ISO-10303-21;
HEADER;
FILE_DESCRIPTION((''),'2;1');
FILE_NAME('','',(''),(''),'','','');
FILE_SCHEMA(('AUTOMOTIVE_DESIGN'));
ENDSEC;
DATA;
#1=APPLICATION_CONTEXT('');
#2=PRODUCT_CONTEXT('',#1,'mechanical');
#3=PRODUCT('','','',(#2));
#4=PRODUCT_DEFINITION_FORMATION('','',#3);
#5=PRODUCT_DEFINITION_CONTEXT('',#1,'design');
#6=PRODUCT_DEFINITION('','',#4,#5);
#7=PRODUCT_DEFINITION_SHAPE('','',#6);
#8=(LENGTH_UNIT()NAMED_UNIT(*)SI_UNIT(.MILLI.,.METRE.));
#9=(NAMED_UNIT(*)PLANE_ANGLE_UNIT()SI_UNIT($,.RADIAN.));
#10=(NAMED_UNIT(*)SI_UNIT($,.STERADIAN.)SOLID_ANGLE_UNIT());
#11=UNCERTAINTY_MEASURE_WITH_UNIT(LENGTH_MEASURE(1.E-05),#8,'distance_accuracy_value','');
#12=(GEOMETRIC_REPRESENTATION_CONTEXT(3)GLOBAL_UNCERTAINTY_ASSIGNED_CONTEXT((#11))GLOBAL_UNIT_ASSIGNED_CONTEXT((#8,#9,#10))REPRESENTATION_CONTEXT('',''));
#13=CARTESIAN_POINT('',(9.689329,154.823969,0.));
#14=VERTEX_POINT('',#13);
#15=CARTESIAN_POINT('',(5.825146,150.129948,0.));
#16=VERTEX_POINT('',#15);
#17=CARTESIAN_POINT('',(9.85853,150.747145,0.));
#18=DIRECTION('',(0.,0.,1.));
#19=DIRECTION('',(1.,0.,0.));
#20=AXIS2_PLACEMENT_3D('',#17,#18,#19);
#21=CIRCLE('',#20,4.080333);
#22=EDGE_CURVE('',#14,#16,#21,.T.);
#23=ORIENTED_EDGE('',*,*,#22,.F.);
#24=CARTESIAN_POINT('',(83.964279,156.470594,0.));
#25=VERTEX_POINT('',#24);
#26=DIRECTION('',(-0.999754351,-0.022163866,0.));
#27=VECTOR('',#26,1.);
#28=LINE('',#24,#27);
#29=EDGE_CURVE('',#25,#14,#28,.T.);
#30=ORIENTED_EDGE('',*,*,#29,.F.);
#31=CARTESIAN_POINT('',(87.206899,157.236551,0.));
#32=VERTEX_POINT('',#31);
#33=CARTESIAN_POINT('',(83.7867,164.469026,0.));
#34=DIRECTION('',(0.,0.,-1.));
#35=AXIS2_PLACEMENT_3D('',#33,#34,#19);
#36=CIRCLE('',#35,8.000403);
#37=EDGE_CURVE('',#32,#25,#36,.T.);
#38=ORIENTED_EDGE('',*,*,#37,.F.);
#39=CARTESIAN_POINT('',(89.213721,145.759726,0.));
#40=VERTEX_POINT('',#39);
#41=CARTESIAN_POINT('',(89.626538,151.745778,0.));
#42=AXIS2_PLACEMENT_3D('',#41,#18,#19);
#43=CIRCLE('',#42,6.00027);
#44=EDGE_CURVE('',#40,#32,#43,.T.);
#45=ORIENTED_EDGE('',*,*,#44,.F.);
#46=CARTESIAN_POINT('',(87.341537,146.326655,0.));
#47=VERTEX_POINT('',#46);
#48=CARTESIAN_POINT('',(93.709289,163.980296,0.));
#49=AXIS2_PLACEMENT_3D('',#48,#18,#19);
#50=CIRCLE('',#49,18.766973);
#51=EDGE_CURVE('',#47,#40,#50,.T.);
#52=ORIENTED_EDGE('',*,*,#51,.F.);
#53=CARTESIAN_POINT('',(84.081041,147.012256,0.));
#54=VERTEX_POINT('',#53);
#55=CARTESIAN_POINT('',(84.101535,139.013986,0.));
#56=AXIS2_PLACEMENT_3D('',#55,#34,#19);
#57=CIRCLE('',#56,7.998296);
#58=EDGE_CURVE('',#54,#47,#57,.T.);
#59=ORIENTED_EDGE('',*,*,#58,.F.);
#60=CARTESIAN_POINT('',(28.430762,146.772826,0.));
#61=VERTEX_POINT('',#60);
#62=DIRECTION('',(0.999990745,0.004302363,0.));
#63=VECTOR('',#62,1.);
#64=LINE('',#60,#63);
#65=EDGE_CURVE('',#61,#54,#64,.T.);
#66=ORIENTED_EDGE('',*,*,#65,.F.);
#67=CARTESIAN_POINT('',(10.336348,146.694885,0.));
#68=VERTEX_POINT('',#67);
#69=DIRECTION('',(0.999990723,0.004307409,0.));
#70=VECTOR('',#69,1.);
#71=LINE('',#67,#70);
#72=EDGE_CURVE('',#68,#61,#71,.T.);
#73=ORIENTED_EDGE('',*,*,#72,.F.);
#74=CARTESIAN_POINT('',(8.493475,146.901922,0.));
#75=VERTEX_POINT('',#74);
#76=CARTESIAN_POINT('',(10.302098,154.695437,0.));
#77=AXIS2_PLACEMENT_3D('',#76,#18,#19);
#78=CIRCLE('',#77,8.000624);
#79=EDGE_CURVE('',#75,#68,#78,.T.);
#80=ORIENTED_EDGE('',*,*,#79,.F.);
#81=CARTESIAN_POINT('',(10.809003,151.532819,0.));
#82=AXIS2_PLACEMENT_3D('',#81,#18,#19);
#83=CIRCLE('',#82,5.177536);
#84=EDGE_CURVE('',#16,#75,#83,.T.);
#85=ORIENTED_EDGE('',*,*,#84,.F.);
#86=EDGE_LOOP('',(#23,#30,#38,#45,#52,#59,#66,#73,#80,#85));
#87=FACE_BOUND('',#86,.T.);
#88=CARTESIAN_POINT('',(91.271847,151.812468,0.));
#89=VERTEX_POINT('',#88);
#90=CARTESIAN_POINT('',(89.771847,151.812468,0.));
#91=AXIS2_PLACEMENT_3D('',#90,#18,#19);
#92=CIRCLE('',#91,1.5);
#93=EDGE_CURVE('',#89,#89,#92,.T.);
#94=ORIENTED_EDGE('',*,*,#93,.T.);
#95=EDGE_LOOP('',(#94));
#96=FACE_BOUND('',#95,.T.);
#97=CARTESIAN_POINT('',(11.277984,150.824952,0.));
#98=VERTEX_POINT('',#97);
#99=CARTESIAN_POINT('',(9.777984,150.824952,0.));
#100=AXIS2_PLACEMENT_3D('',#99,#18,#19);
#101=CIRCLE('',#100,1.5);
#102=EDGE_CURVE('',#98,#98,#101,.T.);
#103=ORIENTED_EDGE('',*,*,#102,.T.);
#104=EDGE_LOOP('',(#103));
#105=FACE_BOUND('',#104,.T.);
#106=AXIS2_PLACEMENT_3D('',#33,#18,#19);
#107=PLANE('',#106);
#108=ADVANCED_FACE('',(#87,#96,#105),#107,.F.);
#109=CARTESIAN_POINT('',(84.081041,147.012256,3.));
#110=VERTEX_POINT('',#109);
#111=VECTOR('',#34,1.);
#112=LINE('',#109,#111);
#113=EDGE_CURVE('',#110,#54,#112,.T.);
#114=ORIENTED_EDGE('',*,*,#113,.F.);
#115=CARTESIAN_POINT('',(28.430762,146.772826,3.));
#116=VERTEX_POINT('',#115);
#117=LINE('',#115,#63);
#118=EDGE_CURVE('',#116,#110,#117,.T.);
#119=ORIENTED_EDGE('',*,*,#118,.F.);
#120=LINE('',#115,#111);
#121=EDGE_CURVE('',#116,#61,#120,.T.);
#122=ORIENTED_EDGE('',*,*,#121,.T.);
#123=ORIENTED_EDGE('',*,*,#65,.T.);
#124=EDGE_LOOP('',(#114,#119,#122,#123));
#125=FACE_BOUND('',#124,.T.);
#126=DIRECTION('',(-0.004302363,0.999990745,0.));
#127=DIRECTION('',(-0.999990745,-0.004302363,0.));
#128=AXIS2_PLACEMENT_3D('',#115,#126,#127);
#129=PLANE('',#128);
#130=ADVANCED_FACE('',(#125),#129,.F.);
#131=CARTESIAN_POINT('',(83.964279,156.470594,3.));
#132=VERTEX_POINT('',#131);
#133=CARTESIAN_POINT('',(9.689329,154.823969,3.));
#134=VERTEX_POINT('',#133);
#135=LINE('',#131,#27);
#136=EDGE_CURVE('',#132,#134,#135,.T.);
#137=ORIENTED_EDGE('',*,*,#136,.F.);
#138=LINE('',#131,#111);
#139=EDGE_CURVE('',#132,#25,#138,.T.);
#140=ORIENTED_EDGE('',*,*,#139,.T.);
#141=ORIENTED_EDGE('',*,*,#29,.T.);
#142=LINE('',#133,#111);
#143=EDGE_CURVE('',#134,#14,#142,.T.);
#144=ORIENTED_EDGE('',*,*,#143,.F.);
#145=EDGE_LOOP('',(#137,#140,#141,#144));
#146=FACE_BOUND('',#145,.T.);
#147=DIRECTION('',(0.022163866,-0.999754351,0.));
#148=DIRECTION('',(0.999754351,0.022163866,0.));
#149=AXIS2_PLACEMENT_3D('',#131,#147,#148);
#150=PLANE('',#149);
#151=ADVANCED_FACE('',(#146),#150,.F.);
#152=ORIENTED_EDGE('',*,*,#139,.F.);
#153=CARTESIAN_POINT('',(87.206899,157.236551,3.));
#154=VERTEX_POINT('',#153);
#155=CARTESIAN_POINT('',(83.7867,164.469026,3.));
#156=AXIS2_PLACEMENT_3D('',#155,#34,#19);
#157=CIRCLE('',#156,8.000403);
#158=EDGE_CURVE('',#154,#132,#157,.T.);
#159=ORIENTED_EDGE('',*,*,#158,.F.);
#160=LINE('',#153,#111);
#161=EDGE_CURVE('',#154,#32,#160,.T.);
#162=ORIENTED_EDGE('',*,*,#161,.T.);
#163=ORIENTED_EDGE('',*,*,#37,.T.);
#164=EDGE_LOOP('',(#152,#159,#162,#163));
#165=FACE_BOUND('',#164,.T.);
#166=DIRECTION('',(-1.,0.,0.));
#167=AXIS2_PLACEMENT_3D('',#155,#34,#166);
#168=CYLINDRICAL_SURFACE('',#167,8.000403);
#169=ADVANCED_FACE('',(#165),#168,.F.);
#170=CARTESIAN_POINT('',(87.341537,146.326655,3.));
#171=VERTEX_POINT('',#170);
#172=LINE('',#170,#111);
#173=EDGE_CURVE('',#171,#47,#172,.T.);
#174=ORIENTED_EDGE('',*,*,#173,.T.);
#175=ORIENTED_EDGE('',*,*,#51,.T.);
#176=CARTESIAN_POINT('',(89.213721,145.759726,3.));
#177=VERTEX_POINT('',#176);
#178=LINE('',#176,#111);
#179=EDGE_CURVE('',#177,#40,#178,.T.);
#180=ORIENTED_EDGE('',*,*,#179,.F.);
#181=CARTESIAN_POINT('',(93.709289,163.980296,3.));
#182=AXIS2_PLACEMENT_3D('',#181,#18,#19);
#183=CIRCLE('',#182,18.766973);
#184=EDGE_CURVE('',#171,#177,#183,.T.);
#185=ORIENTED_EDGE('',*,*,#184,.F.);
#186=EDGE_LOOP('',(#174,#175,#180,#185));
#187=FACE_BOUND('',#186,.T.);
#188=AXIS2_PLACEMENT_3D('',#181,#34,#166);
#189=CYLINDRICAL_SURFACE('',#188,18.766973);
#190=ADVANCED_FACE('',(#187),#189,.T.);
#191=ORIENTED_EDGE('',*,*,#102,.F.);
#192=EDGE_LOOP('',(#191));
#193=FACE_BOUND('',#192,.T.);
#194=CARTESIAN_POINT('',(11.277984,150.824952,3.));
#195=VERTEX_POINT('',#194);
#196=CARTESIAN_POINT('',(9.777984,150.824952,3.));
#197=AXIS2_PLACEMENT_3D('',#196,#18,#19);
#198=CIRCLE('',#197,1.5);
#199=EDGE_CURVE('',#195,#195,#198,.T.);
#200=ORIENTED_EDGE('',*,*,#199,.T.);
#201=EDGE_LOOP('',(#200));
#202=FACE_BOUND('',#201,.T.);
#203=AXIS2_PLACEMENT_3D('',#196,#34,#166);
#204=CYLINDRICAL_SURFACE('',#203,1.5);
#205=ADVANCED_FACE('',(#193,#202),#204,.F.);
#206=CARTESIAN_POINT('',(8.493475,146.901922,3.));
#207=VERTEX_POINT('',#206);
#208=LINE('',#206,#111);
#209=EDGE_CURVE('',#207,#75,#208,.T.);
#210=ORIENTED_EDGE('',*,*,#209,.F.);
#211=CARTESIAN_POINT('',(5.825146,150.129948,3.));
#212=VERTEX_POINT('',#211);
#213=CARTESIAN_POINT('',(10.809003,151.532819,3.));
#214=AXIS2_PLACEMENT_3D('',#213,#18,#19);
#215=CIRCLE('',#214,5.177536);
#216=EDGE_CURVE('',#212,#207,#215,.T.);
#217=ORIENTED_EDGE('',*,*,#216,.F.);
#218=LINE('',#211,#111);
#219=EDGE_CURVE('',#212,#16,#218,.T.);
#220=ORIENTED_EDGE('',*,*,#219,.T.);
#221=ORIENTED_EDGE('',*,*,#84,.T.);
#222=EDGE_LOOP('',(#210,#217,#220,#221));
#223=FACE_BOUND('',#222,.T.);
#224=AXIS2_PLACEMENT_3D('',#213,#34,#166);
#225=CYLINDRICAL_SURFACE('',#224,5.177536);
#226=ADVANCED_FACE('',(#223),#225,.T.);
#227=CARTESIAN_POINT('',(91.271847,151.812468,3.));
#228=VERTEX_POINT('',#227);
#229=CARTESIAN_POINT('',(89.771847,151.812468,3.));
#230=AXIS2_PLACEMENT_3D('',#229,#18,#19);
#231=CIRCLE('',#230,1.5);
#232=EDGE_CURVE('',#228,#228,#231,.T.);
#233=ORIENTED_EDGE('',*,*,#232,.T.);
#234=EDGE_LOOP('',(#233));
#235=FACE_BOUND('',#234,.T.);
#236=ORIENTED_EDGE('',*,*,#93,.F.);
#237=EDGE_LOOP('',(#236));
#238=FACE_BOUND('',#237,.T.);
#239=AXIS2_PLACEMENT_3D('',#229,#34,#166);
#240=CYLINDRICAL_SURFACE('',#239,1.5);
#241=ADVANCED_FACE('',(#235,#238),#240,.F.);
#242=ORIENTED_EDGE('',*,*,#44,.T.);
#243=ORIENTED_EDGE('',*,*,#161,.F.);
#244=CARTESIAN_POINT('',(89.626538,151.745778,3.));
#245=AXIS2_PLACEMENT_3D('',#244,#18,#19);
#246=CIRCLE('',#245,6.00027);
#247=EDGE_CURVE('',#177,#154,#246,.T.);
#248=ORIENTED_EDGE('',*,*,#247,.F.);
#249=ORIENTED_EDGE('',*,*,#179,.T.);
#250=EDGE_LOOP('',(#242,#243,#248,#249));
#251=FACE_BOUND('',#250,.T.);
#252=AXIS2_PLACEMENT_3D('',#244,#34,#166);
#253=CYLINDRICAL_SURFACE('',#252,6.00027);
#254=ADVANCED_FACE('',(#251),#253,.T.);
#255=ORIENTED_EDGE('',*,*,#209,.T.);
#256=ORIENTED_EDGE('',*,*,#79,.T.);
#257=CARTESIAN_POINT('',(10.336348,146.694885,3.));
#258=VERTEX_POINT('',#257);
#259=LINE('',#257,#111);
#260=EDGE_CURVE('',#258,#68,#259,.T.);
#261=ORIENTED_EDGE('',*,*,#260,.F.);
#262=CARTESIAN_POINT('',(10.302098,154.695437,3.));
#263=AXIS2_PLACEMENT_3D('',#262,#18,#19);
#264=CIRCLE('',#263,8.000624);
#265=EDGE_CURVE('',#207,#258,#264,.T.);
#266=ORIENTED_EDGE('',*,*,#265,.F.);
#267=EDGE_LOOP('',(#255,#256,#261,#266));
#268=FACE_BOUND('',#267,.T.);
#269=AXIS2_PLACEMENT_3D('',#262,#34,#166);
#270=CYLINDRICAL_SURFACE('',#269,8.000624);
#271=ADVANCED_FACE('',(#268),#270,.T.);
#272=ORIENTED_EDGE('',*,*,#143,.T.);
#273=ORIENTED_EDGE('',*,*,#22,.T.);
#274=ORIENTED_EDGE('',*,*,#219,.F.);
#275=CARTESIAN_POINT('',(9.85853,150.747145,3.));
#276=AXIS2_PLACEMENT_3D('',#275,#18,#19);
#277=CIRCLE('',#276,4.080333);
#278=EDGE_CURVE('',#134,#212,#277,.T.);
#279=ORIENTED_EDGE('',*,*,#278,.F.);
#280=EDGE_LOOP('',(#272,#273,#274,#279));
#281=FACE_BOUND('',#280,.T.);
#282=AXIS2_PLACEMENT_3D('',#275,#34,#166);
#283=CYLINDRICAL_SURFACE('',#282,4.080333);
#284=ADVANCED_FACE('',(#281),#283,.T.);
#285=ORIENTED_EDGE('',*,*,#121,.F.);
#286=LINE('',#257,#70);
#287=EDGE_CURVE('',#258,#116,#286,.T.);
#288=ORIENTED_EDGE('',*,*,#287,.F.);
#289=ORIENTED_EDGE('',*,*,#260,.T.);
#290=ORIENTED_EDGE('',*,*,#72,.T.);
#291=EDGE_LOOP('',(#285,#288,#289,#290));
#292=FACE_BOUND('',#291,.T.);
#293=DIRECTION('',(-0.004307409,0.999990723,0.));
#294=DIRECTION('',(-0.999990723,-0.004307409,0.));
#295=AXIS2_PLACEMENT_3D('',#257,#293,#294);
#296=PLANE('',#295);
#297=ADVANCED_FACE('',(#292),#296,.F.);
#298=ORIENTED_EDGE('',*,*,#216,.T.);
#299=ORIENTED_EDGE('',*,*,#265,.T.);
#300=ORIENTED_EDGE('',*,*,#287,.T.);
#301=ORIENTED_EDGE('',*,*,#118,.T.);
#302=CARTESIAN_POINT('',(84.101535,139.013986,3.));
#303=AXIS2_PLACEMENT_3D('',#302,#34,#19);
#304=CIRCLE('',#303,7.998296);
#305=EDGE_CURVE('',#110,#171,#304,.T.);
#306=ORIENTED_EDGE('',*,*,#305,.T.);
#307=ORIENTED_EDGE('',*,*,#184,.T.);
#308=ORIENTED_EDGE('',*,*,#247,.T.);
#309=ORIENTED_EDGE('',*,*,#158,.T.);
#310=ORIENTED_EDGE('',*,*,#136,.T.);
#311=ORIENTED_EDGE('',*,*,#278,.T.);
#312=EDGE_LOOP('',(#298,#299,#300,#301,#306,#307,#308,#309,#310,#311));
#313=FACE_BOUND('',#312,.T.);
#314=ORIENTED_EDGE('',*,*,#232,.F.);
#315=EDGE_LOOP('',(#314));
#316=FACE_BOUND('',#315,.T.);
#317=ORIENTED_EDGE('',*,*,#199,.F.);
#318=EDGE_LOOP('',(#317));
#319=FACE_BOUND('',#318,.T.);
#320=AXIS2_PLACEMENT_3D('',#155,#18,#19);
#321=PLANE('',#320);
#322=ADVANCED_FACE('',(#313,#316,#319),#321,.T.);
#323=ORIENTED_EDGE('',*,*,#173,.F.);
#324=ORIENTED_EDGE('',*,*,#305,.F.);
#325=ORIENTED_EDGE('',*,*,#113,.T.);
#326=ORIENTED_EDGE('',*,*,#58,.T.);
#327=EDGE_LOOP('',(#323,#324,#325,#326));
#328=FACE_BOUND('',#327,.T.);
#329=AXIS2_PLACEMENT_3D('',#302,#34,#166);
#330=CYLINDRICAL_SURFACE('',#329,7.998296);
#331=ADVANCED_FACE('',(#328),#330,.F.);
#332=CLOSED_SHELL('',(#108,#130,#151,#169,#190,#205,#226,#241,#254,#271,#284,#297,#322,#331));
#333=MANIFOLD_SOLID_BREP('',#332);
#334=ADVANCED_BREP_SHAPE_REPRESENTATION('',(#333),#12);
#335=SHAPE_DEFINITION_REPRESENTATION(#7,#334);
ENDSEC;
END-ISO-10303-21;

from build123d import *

# Parameters (mm, degrees)
SKETCH_1_R      = 1.5
EXTRUDE_1_DEPTH = 3


with BuildPart() as part:
    # 草圖1 → 填料-伸長1 (new body)
    with BuildSketch(Plane.XY):
        with BuildLine():
            Line((28.43076164, 146.77282614), (84.081040564, 147.012256058))
            ThreePointArc((84.081040564, 147.012256058), (85.747384171, 146.841113393), (87.341537057, 146.326655031))
            ThreePointArc((87.341537057, 146.326655031), (88.27023729, 146.018781), (89.213720756, 145.759726003))
            ThreePointArc((89.213720756, 145.759726003), (95.537127916, 152.779296104), (87.206898507, 157.236550922))
            ThreePointArc((87.206898507, 157.236550922), (85.625904315, 156.682898569), (83.964278534, 156.470593769))
            Line((83.964278534, 156.470593769), (9.689328559, 154.823969204))
            ThreePointArc((9.689328559, 154.823969204), (6.708309072, 153.340450311), (5.825145652, 150.129947568))
            ThreePointArc((5.825145652, 150.129947568), (6.818352081, 148.234093963), (8.49347494, 146.901921561))
            ThreePointArc((8.49347494, 146.901921561), (9.408892458, 146.744827981), (10.336347773, 146.694885369))
            Line((10.336347773, 146.694885369), (28.43076164, 146.77282614))
        make_face()
        with Locations((89.77184724, 151.812467685)):
            Circle(SKETCH_1_R, mode=Mode.SUBTRACT)
        with Locations((9.777984027, 150.8249518)):
            Circle(SKETCH_1_R, mode=Mode.SUBTRACT)
    extrude(amount=EXTRUDE_1_DEPTH)


solid = part.part
